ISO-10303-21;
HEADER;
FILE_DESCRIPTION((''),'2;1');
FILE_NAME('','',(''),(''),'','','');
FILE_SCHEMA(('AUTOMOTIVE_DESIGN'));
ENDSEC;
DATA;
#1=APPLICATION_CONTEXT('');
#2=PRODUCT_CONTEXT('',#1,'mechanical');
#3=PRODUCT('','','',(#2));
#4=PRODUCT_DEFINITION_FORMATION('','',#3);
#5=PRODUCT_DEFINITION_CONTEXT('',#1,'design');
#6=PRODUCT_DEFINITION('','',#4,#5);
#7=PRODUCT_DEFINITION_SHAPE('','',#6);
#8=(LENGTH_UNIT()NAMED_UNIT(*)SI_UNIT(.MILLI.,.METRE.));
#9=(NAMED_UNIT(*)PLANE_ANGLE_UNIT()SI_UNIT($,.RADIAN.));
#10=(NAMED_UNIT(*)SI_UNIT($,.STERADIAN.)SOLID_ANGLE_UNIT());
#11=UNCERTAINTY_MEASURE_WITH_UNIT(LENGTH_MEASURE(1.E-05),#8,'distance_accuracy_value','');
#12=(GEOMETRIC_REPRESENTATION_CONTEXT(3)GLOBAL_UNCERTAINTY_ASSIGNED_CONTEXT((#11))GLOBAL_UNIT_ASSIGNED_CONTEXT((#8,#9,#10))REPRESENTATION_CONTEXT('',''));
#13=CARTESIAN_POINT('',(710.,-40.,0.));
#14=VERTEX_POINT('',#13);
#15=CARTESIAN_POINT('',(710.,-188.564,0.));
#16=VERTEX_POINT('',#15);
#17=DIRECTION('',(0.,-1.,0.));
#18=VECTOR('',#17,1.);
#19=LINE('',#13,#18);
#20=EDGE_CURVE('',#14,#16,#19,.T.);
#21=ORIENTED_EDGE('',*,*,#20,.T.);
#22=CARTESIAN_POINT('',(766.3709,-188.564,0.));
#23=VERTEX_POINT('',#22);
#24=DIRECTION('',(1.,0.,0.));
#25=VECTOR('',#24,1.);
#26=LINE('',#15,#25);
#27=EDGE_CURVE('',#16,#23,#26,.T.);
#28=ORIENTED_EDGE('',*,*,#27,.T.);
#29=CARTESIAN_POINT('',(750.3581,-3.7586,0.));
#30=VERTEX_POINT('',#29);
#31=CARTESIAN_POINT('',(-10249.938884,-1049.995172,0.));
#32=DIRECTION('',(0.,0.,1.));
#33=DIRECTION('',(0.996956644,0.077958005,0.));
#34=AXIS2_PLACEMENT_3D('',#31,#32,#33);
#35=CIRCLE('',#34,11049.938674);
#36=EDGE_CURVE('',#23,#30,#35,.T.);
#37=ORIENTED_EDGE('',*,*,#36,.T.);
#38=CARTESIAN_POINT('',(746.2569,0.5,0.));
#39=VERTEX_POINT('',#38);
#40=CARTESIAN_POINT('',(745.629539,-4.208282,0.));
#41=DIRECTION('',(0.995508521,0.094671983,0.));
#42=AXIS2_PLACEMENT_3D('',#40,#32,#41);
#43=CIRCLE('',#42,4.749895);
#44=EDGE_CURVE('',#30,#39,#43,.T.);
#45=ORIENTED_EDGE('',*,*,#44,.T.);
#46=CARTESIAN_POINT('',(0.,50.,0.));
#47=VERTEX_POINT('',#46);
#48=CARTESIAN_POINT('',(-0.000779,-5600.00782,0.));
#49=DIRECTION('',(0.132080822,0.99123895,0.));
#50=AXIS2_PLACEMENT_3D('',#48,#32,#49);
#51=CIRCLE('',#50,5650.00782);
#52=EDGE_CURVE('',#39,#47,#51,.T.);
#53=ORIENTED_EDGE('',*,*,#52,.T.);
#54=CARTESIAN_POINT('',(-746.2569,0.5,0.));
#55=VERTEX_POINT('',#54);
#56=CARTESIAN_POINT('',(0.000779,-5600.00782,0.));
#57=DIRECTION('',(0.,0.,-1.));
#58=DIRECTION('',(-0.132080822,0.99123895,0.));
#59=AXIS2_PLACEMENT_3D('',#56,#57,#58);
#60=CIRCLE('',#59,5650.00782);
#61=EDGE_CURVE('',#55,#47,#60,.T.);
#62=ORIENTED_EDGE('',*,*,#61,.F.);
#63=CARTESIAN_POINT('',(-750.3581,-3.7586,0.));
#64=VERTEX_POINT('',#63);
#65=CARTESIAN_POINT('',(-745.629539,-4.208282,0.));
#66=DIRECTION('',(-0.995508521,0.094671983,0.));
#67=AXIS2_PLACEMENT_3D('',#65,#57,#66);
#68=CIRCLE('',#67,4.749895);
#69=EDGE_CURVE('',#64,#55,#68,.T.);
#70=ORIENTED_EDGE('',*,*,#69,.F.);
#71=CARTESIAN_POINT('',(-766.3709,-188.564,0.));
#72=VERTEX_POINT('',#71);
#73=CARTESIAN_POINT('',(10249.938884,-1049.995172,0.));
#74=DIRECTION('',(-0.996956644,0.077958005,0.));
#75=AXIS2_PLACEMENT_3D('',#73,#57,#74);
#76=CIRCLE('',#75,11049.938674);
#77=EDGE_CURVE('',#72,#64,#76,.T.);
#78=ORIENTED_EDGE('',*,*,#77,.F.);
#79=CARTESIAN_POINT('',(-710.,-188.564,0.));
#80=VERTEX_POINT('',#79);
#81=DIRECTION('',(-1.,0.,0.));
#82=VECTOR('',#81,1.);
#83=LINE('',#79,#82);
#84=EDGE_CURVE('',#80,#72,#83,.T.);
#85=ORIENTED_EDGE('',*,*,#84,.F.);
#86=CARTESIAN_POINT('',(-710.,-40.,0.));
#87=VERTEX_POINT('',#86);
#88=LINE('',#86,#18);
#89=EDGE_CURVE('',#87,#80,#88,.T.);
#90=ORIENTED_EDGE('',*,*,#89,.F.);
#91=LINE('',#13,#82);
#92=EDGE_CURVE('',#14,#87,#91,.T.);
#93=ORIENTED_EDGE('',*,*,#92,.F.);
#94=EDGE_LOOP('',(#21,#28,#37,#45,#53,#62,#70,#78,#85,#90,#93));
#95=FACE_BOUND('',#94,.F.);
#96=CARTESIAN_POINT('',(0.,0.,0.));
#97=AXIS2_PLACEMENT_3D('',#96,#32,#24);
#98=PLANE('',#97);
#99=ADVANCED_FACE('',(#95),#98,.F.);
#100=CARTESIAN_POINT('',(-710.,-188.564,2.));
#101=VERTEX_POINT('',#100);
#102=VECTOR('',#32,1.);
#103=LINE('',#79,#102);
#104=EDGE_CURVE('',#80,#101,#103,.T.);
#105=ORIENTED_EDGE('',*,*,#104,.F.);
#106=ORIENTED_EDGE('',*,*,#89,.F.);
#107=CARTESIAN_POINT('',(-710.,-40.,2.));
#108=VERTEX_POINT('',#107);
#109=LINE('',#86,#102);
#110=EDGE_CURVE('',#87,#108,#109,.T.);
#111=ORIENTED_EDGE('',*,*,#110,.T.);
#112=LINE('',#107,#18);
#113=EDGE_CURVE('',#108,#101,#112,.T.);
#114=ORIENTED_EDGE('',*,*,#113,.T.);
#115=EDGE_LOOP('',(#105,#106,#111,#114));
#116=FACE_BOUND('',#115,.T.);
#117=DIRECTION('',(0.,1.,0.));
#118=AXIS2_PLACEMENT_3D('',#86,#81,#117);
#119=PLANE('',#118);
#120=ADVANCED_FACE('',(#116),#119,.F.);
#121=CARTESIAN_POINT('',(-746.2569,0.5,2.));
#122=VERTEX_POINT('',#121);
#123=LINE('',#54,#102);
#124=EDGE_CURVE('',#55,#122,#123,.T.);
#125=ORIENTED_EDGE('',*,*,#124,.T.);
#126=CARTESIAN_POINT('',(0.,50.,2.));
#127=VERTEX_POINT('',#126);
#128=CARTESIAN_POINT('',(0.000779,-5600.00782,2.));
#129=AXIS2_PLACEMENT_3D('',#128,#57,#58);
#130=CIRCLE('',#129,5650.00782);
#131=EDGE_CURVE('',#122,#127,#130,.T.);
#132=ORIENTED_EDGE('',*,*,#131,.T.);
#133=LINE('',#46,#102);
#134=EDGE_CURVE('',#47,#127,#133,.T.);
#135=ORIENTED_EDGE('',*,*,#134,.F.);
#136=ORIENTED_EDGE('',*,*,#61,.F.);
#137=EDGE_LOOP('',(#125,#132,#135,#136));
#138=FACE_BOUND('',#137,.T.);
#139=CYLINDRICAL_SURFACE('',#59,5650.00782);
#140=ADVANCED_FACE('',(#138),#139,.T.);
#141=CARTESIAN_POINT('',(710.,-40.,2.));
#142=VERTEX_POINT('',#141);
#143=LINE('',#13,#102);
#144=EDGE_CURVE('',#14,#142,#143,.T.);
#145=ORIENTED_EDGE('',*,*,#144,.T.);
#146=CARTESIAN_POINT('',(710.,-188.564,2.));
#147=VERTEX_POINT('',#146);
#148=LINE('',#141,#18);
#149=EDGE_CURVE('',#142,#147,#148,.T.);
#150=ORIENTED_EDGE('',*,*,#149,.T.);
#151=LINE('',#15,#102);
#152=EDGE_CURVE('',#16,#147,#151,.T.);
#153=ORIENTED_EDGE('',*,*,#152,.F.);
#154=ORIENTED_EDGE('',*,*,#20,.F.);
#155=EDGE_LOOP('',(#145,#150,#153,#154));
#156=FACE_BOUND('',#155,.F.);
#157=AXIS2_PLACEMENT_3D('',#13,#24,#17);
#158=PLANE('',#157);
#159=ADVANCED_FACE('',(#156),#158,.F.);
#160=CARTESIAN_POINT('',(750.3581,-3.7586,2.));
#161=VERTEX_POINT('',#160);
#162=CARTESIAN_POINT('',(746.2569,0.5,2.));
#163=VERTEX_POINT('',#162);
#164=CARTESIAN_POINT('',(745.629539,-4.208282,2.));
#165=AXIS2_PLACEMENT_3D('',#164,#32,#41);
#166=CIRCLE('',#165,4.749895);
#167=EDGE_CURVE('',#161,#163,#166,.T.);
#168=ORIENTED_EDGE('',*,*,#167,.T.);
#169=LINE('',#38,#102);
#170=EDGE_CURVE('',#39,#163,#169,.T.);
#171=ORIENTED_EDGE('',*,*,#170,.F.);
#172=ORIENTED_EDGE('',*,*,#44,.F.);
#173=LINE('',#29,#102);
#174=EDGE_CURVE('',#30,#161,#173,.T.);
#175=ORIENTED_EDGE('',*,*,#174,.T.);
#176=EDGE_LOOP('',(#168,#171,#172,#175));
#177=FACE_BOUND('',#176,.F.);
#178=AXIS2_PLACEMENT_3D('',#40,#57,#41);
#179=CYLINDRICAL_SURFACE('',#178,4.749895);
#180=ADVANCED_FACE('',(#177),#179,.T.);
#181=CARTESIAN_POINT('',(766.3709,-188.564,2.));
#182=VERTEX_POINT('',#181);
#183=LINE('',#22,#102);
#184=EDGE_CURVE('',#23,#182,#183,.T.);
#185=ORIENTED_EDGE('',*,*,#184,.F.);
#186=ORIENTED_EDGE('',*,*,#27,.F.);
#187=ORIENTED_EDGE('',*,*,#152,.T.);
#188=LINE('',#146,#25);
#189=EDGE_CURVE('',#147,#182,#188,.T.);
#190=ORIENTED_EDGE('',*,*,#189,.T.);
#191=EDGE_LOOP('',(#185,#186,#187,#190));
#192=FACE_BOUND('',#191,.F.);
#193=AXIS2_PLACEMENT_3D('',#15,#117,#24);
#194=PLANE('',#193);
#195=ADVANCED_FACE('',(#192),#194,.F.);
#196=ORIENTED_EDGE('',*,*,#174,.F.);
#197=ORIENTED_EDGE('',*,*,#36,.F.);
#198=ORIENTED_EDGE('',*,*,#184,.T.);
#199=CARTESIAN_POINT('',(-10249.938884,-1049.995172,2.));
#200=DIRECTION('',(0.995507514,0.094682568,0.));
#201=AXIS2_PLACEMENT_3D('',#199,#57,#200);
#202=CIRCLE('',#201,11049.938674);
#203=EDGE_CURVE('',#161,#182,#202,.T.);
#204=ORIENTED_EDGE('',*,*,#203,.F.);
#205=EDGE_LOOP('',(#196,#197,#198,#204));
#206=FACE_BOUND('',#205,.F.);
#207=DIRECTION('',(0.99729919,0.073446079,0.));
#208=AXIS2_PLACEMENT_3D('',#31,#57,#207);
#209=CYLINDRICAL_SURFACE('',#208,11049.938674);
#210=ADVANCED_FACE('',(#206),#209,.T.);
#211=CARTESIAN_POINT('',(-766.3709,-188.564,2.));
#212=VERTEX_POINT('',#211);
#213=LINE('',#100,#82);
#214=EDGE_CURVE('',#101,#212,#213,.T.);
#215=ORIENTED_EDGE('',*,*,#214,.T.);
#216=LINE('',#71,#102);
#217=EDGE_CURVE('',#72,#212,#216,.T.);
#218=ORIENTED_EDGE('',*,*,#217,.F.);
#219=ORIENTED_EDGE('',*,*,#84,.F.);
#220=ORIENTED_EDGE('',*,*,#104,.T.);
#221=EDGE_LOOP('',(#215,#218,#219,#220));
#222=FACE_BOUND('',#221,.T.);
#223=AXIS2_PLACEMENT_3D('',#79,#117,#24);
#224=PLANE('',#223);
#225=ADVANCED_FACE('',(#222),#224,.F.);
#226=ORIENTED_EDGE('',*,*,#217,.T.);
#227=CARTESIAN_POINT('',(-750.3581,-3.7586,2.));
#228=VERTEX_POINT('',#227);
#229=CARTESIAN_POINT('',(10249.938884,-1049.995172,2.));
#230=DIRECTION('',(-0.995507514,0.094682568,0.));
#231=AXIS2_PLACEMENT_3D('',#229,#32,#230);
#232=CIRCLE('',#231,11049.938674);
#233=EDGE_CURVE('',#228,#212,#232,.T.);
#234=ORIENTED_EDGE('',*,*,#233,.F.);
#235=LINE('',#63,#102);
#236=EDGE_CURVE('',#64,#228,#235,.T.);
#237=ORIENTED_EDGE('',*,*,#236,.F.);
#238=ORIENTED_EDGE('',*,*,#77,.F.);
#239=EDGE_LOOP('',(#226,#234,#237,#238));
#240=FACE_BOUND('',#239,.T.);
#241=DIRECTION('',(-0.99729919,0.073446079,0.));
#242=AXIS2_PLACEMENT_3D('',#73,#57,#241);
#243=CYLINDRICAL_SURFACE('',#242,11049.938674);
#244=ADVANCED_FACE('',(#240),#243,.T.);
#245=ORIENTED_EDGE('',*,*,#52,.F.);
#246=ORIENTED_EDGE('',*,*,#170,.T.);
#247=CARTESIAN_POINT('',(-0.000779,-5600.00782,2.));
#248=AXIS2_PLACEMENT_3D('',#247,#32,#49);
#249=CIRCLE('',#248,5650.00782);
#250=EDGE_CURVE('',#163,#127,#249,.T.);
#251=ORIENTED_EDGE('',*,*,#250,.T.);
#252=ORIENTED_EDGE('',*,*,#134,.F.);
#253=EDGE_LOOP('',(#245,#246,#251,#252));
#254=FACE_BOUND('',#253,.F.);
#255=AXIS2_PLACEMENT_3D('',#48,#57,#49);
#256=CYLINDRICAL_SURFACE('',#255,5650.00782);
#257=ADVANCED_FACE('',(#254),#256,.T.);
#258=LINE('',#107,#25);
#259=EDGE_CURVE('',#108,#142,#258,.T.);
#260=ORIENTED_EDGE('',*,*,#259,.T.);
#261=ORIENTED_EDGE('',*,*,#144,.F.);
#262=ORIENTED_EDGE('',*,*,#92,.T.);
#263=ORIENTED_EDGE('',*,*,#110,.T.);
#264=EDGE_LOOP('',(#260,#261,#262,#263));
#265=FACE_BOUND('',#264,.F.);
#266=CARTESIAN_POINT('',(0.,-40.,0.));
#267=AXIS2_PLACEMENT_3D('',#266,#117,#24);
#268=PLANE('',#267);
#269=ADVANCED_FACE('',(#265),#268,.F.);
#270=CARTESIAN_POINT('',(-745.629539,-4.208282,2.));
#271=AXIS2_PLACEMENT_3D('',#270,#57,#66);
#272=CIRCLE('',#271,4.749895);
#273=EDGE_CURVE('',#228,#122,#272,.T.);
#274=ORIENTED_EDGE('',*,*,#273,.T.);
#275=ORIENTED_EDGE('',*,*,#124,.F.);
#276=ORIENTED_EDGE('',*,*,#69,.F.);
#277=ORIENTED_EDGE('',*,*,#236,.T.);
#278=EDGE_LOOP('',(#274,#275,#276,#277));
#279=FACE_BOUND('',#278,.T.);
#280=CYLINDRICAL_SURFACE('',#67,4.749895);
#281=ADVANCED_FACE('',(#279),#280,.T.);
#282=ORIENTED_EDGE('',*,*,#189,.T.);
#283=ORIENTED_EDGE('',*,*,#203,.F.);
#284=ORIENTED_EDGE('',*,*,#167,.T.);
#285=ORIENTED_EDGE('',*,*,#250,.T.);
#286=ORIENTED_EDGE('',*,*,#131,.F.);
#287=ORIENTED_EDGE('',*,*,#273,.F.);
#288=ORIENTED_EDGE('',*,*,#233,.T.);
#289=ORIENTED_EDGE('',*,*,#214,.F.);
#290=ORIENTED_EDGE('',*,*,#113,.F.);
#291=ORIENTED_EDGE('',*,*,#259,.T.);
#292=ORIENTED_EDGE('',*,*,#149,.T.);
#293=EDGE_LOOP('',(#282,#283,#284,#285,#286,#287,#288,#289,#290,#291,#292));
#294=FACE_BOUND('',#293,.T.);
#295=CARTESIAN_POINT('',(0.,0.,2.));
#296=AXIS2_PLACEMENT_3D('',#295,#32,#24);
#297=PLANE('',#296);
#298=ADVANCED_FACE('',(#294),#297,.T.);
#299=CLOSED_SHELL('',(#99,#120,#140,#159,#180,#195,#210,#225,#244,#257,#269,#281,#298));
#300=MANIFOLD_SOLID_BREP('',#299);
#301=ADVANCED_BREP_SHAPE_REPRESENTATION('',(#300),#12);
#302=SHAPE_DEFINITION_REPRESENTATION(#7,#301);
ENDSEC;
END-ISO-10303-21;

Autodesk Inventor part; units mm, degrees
ref_plane "YZ Plane" through (0, 0, 0) normal (1, 0, 0) x (0, 1, 0)
ref_plane "XZ Plane" through (0, 0, 0) normal (0, 1, 0) x (-1, 0, 0)
ref_plane "XY Plane" through (0, 0, 0) normal (0, 0, 1) x (1, 0, 0)
sketch "Sketch1" plane through (0, 0, 0) normal (0, 0, 1) x (1, 0, 0)
  line L0 (-750, 0) -> (750, 0) construction
  line L1 (750, 0) -> (750, -2700) construction
  line L2 (750, -2700) -> (-750, -2700) construction
  line L3 (-750, -2700) -> (-750, 0) construction
  line L4 (800, 50) -> (-800, 50)
  line L5 (-800, 50) -> (-800, -2750) construction
  line L6 (-800, -2750) -> (800, -2750) construction
  line L7 (800, -2750) -> (800, 50) construction
  line L8 (-850, 100) -> (850, 100)
  line L9 (850, 100) -> (850, -2800) construction
  line L10 (850, -2800) -> (-850, -2800) construction
  line L11 (-850, -2800) -> (-850, 100) construction
  arc A0 (750, 0) -> (746.2569, 0.5) centre (0, -5600) ccw construction
  line L12 (-750, -2100) -> (750, -2100) construction
  line L13 (114.1118, -2698.3696) -> (750, -2100) construction
  arc A1 (750, -2100) -> (770.156, -238.4205) centre (-10250, -1050) ccw construction
  line L14 (750, 0) -> (749.6018, -2.9735) construction
  arc A2 (750, -3.0268) -> (0, 47) centre (-0.2, -5603) ccw construction
  line L15 (750, 0) -> (747.0136, -0.2851) construction
  arc A3 (767.1641, -238.6409) -> (747.4657, -5.0326) centre (-10252.9895, -1050.2527) ccw construction
  arc A4 (750.3581, -3.7586) -> (746.2569, 0.5) centre (745.6295, -4.2083) ccw
  arc A5 (747.4657, -5.0326) -> (744.8748, -2.3426) centre (744.4792, -5.3164) ccw construction
  line L16 (750, -2100) -> (752.9864, -2100.2851) construction
  arc A6 (752.9864, -2100.2851) -> (771.2831, -213.263) centre (-10246.9891, -1050.0292) ccw
  line L17 (750, -2100) -> (752.0559, -2102.1848) construction
  arc A7 (749.1768, -2100.7746) -> (750.1074, -2098.8746) centre (747.1209, -2098.5898) ccw construction
  line L18 (0, -2697) -> (110, -2697) construction
  line L19 (112.0559, -2696.1848) -> (685.3133, -2156.7506) construction
  arc A8 (110, -2700) -> (114.1118, -2698.3696) centre (110, -2694) ccw construction
  arc A9 (110, -2697) -> (112.0559, -2696.1848) centre (110, -2694) ccw construction
  line L20 (685.3133, -2156.7506) -> (687.3692, -2158.9354) construction
  line L21 (752.0559, -2102.1848) -> (671.2185, -2178.2526) construction
  line L22 (671.2185, -2178.2526) -> (669.1626, -2176.0678) construction
  arc A10 (747.4657, -5.0326) -> (747.0136, -0.2851) centre (-10252.9895, -1050.2527) ccw construction
  arc A11 (746.2569, 0.5) -> (0, 50) centre (0, -5600) ccw
  arc A12 (750.3581, -3.7586) -> (750, 0) centre (-10250, -1050) ccw construction
  line L23 (770.156, -238.4205) -> (767.1641, -238.6409) construction
  line L24 (768.2917, -213.4901) -> (771.2831, -213.263) construction
  arc A13 (770.156, -238.4205) -> (750.3581, -3.7586) centre (-10250, -1050) ccw
  line L25 (0, 100) -> (0, 50)
  line L26 (0, -2700) -> (0, -2697) construction
  line L27 (0, 47) -> (0, 0) construction
  line L28 (0, 50) -> (0, 47)
  arc A14 (752.0559, -2102.1848) -> (752.9864, -2100.2851) centre (749.9998, -2099.9999) ccw construction
  circle A15 centre (768.2917, -213.4901) radius 25
  line L29 (850, -258.4205) -> (774.6194, -258.4205) construction
  arc A16 (800, 50) -> (0, 100) centre (0, -6325) ccw construction
  arc A17 (824.6194, -258.4205) -> (800, 50) centre (-10711.2413, -1024.069) ccw construction
  line L30 (824.6194, -258.4205) -> (824.6194, 100) construction
  line L31 (-25, 100) -> (-25, 50) construction
  line L32 (778.0966, -308.4205) -> (850, -308.4205) construction
  line L33 (0, -308.4205) -> (0, 47)
  line L34 (0, -40) -> (753.7448, -40)
  line L35 (710, -40) -> (710, -188.564)
  line L36 (710, -188.564) -> (766.3709, -188.564)
  point P0 (0, 0)
  point P1 (0, 0)
  point P2 (0, -2750)
  point P3 (766.3709, -188.564)
  point P4 (773.135, -238.0165)
  dimension "d6" = 1500
  dimension "d7" = 2700
  dimension "d8" = 2100
  dimension "d9" = 4.75
  dimension "d10" = 3
  dimension "d11" = 3
  dimension "d12" = 6
  dimension "d13" = 3
  dimension "d14" = 239.271
  dimension "d15" = 50
  dimension "d16" = 50
  dimension "d17" = 3
  dimension "d18" = 110
  dimension "d19" = 25
  dimension "d20" = 111
  dimension "d21" = 25
  dimension "d34" = 20
  dimension "d35" = 50
  dimension "d47" = 25
  dimension "d49" = 50
  dimension "d91" = 40
  dimension "d92" = 40
extrude "Plate3" add sketch "Sketch1" along normal blind 2 contours A13 L34 L33 L28 A11 A4 | A13 L36 L35 L34
mirror "Mirror1" about plane through (0, 0, 0) normal (1, 0, 0)
equation "\"d6\" = d22"
equation "\"d7\" = d23"
equation "\"d8\" = d24"
equation "\"d10\" = d26"
equation "\"d11\" = d27"
equation "\"d12\" = d27 + d31"
equation "\"d13\" = d27"
equation "\"d14\" = d28"
equation "\"d17\" = d27"
equation "\"d18\" = 0.5 * d32"
equation "\"d19\" = d29"
equation "\"d20\" = Бак_борт_длина_фланца"
equation "\"d21\" = d29"
equation "\"d35\" = d15"
equation "\"d47\" = Усилитель_нахлест"
equation "\"d49\" = 2 * Усилитель_нахлест"
equation "\"BendReliefWidth\" = Thickness"
equation "\"BendReliefDepth\" = 0.5 * Thickness"
equation "\"CornerReliefSize\" = 4 * Thickness"
equation "\"MinimumRemnant\" = 2 * Thickness"
equation "\"GapSize\" = Thickness"
equation "\"d25\" = d27 + d31"
equation "\"d26\" = d27"
equation "\"d31\" = d27"
equation "\"Стрингер_2\" = 67.66905"
equation "\"Стрингер_1\" = 51.76503"
equation "\"d22\" = 1500"
equation "\"d23\" = 2700"
equation "\"d24\" = 2100"
equation "\"d27\" = 3"
equation "\"d28\" = 239.271"
equation "\"d32\" = 220"
equation "\"d29\" = 25"
equation "\"Бак_борт_длина_фланца\" = 111"
equation "\"Усилитель_нахлест\" = 25"
equation "\"Thickness\" = 2"
properties part number "MSC 0511 rib back mould" material "Stainless Steel"
